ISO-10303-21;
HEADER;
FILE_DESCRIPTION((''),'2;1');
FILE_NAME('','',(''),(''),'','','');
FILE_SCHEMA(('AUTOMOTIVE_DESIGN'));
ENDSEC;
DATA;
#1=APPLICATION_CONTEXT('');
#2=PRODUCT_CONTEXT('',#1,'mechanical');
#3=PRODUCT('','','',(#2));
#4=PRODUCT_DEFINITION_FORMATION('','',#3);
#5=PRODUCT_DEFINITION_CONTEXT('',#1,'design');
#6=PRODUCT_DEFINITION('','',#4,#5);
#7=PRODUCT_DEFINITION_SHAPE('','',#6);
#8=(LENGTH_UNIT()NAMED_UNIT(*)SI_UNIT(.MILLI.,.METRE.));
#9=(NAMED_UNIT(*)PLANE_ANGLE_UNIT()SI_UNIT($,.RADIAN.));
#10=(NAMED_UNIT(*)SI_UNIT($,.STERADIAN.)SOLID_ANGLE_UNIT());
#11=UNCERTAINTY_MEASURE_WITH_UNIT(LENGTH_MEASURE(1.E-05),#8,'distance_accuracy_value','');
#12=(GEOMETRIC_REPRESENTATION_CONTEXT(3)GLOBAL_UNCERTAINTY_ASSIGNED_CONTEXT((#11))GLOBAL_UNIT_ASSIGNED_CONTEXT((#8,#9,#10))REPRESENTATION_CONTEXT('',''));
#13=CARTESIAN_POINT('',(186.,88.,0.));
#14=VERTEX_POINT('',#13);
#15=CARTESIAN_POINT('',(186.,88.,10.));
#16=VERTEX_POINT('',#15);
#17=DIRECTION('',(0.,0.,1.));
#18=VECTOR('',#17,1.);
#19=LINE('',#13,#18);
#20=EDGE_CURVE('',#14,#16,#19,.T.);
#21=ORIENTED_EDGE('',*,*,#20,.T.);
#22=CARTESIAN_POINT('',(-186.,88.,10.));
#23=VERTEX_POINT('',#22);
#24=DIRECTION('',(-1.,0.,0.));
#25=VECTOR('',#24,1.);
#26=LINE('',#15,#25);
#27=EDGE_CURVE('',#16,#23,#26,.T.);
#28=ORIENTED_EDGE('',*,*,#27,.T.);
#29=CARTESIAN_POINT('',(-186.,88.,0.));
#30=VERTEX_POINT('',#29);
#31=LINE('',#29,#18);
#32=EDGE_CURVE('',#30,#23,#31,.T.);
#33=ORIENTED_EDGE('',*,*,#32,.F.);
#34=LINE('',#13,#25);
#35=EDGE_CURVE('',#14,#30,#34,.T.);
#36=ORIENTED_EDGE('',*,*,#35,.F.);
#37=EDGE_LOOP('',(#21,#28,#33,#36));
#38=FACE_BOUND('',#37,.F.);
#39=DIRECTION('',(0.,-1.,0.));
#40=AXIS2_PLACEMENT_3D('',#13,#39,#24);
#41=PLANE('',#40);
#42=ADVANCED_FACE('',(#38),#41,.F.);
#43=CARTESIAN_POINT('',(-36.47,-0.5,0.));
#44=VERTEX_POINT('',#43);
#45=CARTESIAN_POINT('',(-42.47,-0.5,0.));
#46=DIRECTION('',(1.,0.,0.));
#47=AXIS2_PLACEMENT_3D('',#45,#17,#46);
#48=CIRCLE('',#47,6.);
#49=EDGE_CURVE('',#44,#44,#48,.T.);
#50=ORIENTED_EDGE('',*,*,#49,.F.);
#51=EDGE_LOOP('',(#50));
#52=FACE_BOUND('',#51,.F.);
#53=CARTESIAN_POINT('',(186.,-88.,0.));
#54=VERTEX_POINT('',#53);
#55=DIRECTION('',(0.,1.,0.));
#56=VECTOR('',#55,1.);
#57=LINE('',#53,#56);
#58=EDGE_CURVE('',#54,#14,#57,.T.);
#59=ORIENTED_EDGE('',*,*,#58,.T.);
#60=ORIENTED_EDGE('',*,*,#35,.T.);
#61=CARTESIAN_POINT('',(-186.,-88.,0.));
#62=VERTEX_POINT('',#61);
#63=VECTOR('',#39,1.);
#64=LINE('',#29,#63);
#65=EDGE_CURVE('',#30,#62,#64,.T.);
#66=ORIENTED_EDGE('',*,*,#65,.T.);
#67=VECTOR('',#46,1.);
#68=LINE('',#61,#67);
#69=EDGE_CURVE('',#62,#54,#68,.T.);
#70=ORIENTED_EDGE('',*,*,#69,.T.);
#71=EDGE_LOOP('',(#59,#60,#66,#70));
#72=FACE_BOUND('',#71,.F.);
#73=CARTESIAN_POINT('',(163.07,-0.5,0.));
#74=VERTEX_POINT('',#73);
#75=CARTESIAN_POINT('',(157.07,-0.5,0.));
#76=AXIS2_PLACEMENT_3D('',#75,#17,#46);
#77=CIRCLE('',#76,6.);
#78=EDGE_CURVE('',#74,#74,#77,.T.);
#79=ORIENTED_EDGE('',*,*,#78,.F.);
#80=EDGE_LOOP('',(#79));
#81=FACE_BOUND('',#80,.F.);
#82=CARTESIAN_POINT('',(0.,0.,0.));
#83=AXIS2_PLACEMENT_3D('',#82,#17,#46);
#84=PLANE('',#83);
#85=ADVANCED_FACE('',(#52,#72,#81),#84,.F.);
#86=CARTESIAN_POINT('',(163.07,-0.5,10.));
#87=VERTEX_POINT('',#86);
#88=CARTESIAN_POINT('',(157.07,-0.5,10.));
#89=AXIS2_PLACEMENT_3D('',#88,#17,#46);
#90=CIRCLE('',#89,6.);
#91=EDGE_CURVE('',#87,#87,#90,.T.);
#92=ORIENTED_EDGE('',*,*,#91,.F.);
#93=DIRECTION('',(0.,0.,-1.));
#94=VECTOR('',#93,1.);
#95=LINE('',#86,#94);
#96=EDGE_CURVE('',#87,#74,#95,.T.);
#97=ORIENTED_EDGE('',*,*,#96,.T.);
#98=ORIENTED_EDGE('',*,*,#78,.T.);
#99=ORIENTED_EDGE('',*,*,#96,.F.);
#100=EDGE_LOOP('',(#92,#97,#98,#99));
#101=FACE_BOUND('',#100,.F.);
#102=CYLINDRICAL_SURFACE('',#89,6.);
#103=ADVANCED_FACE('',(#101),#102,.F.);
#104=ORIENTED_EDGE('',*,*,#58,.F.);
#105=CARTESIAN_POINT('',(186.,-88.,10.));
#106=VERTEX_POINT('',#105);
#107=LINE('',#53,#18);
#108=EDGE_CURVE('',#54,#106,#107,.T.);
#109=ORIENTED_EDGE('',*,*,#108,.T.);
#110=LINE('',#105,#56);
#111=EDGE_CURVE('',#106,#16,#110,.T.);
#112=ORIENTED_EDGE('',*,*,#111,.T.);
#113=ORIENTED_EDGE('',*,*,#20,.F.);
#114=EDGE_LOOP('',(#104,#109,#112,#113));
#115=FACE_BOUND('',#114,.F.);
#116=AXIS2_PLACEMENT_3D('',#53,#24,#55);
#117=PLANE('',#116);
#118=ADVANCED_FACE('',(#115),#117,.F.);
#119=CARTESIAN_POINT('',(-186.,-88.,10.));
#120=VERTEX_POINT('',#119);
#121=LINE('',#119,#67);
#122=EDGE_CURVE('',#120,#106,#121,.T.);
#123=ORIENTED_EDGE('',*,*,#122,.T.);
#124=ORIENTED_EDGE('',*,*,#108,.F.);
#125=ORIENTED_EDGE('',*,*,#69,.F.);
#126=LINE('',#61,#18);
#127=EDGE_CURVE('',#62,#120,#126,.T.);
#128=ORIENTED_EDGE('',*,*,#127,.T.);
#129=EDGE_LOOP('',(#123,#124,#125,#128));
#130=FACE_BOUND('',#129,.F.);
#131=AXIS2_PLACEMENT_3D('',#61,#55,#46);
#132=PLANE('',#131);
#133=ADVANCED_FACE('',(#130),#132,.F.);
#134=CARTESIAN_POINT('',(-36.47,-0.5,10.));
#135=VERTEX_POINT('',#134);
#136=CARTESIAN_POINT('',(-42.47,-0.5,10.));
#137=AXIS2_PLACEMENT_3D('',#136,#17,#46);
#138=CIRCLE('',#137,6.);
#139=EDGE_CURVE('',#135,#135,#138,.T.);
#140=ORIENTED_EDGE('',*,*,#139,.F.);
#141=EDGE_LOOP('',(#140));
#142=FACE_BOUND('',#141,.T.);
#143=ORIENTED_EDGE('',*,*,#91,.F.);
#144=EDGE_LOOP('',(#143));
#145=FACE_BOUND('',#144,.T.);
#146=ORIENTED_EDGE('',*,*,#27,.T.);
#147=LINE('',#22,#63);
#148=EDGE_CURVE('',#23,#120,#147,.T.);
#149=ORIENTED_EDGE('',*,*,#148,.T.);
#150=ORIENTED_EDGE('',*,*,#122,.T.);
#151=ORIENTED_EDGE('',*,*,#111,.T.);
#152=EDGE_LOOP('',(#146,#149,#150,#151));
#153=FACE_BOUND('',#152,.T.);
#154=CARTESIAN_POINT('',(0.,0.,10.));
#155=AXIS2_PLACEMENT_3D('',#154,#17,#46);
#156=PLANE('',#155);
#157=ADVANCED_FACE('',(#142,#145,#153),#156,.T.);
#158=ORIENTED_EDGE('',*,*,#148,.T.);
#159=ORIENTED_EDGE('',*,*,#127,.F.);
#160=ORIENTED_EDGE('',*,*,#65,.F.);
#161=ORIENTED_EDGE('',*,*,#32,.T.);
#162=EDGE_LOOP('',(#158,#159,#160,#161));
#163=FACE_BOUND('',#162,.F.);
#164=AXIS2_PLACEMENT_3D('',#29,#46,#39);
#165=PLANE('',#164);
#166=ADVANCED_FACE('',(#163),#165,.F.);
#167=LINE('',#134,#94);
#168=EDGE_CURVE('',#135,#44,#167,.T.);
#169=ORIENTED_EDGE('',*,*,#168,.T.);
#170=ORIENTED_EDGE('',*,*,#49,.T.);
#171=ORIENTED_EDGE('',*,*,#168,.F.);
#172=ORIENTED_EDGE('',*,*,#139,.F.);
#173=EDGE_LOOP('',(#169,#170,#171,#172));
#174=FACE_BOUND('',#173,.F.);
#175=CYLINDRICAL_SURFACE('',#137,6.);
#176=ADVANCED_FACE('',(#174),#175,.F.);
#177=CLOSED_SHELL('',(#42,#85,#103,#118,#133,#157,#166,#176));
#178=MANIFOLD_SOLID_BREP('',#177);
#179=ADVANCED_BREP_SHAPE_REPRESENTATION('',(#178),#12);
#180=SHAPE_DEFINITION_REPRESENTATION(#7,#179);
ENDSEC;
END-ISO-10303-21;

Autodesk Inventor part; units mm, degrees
ref_plane "YZ Plane" through (0, 0, 0) normal (1, 0, 0) x (0, 1, 0)
ref_plane "XZ Plane" through (0, 0, 0) normal (0, 1, 0) x (-1, 0, 0)
ref_plane "XY Plane" through (0, 0, 0) normal (0, 0, 1) x (1, 0, 0)
sketch "Sketch1" plane through (0, 0, 0) normal (0, 0, 1) x (1, 0, 0)
  point P0 (0, 0)
sketch "Sketch2" plane through (0, 0, 0) normal (0, 0, 1) x (1, 0, 0)
  line L0 (-186, -88) -> (186, -88)
  line L1 (186, -88) -> (186, 88)
  line L2 (186, 88) -> (-186, 88)
  line L3 (-186, 88) -> (-186, -88)
  line L4 (-186, -88) -> (186, 88) construction
  line L5 (186, -88) -> (-186, 88) construction
  point P0 (0, 0)
  dimension "d0" = 372
  dimension "d1" = 176
extrude "Extrusion1" add sketch "Sketch2" along normal blind 10
sketch "Sketch3" plane through (0, 0, 10) normal (0, 0, 1) x (1, 0, 0)
  circle A0 centre (157.07, -0.5) radius 6
  circle A1 centre (-42.47, -0.5) radius 6
  line L0 (163.07, 41.41) -> (163.07, 2.6213) construction
  line L1 (-36.47, 12.5914) -> (-36.47, -19.2897) construction
  line L2 (186, -88) -> (186, 88) construction
  line L3 (-48.47, 40.0816) -> (-48.47, 5.69) construction
  line L4 (-186, 88) -> (-186, -88) construction
  line L5 (145.9116, -6.5) -> (169.2139, -6.5) construction
  line L6 (-62.3973, -6.5) -> (-31.6806, -6.5) construction
  line L7 (-186, -88) -> (186, -88) construction
  point P0 (0, 0)
  dimension "d4" = 12
  dimension "d5" = 12
  dimension "d6" = 22.93
  dimension "d7" = 137.53
  dimension "d8" = 81.5
extrude "Extrusion2" cut sketch "Sketch3" against normal through all
sketch "Sketch4" plane through (0, 0, 10) normal (0, 0, 1) x (1, 0, 0)
  line L0 (-107.2483, -51.5859) -> (189.4561, -51.5859)
  line L1 (189.4561, -51.5859) -> (189.4561, -65.196)
  line L2 (189.4561, -65.196) -> (-107.2483, -65.196)
  line L3 (-107.2483, -65.196) -> (-107.2483, -51.5859)
  point P0 (0, 0)
properties part number "rails stock solid"
